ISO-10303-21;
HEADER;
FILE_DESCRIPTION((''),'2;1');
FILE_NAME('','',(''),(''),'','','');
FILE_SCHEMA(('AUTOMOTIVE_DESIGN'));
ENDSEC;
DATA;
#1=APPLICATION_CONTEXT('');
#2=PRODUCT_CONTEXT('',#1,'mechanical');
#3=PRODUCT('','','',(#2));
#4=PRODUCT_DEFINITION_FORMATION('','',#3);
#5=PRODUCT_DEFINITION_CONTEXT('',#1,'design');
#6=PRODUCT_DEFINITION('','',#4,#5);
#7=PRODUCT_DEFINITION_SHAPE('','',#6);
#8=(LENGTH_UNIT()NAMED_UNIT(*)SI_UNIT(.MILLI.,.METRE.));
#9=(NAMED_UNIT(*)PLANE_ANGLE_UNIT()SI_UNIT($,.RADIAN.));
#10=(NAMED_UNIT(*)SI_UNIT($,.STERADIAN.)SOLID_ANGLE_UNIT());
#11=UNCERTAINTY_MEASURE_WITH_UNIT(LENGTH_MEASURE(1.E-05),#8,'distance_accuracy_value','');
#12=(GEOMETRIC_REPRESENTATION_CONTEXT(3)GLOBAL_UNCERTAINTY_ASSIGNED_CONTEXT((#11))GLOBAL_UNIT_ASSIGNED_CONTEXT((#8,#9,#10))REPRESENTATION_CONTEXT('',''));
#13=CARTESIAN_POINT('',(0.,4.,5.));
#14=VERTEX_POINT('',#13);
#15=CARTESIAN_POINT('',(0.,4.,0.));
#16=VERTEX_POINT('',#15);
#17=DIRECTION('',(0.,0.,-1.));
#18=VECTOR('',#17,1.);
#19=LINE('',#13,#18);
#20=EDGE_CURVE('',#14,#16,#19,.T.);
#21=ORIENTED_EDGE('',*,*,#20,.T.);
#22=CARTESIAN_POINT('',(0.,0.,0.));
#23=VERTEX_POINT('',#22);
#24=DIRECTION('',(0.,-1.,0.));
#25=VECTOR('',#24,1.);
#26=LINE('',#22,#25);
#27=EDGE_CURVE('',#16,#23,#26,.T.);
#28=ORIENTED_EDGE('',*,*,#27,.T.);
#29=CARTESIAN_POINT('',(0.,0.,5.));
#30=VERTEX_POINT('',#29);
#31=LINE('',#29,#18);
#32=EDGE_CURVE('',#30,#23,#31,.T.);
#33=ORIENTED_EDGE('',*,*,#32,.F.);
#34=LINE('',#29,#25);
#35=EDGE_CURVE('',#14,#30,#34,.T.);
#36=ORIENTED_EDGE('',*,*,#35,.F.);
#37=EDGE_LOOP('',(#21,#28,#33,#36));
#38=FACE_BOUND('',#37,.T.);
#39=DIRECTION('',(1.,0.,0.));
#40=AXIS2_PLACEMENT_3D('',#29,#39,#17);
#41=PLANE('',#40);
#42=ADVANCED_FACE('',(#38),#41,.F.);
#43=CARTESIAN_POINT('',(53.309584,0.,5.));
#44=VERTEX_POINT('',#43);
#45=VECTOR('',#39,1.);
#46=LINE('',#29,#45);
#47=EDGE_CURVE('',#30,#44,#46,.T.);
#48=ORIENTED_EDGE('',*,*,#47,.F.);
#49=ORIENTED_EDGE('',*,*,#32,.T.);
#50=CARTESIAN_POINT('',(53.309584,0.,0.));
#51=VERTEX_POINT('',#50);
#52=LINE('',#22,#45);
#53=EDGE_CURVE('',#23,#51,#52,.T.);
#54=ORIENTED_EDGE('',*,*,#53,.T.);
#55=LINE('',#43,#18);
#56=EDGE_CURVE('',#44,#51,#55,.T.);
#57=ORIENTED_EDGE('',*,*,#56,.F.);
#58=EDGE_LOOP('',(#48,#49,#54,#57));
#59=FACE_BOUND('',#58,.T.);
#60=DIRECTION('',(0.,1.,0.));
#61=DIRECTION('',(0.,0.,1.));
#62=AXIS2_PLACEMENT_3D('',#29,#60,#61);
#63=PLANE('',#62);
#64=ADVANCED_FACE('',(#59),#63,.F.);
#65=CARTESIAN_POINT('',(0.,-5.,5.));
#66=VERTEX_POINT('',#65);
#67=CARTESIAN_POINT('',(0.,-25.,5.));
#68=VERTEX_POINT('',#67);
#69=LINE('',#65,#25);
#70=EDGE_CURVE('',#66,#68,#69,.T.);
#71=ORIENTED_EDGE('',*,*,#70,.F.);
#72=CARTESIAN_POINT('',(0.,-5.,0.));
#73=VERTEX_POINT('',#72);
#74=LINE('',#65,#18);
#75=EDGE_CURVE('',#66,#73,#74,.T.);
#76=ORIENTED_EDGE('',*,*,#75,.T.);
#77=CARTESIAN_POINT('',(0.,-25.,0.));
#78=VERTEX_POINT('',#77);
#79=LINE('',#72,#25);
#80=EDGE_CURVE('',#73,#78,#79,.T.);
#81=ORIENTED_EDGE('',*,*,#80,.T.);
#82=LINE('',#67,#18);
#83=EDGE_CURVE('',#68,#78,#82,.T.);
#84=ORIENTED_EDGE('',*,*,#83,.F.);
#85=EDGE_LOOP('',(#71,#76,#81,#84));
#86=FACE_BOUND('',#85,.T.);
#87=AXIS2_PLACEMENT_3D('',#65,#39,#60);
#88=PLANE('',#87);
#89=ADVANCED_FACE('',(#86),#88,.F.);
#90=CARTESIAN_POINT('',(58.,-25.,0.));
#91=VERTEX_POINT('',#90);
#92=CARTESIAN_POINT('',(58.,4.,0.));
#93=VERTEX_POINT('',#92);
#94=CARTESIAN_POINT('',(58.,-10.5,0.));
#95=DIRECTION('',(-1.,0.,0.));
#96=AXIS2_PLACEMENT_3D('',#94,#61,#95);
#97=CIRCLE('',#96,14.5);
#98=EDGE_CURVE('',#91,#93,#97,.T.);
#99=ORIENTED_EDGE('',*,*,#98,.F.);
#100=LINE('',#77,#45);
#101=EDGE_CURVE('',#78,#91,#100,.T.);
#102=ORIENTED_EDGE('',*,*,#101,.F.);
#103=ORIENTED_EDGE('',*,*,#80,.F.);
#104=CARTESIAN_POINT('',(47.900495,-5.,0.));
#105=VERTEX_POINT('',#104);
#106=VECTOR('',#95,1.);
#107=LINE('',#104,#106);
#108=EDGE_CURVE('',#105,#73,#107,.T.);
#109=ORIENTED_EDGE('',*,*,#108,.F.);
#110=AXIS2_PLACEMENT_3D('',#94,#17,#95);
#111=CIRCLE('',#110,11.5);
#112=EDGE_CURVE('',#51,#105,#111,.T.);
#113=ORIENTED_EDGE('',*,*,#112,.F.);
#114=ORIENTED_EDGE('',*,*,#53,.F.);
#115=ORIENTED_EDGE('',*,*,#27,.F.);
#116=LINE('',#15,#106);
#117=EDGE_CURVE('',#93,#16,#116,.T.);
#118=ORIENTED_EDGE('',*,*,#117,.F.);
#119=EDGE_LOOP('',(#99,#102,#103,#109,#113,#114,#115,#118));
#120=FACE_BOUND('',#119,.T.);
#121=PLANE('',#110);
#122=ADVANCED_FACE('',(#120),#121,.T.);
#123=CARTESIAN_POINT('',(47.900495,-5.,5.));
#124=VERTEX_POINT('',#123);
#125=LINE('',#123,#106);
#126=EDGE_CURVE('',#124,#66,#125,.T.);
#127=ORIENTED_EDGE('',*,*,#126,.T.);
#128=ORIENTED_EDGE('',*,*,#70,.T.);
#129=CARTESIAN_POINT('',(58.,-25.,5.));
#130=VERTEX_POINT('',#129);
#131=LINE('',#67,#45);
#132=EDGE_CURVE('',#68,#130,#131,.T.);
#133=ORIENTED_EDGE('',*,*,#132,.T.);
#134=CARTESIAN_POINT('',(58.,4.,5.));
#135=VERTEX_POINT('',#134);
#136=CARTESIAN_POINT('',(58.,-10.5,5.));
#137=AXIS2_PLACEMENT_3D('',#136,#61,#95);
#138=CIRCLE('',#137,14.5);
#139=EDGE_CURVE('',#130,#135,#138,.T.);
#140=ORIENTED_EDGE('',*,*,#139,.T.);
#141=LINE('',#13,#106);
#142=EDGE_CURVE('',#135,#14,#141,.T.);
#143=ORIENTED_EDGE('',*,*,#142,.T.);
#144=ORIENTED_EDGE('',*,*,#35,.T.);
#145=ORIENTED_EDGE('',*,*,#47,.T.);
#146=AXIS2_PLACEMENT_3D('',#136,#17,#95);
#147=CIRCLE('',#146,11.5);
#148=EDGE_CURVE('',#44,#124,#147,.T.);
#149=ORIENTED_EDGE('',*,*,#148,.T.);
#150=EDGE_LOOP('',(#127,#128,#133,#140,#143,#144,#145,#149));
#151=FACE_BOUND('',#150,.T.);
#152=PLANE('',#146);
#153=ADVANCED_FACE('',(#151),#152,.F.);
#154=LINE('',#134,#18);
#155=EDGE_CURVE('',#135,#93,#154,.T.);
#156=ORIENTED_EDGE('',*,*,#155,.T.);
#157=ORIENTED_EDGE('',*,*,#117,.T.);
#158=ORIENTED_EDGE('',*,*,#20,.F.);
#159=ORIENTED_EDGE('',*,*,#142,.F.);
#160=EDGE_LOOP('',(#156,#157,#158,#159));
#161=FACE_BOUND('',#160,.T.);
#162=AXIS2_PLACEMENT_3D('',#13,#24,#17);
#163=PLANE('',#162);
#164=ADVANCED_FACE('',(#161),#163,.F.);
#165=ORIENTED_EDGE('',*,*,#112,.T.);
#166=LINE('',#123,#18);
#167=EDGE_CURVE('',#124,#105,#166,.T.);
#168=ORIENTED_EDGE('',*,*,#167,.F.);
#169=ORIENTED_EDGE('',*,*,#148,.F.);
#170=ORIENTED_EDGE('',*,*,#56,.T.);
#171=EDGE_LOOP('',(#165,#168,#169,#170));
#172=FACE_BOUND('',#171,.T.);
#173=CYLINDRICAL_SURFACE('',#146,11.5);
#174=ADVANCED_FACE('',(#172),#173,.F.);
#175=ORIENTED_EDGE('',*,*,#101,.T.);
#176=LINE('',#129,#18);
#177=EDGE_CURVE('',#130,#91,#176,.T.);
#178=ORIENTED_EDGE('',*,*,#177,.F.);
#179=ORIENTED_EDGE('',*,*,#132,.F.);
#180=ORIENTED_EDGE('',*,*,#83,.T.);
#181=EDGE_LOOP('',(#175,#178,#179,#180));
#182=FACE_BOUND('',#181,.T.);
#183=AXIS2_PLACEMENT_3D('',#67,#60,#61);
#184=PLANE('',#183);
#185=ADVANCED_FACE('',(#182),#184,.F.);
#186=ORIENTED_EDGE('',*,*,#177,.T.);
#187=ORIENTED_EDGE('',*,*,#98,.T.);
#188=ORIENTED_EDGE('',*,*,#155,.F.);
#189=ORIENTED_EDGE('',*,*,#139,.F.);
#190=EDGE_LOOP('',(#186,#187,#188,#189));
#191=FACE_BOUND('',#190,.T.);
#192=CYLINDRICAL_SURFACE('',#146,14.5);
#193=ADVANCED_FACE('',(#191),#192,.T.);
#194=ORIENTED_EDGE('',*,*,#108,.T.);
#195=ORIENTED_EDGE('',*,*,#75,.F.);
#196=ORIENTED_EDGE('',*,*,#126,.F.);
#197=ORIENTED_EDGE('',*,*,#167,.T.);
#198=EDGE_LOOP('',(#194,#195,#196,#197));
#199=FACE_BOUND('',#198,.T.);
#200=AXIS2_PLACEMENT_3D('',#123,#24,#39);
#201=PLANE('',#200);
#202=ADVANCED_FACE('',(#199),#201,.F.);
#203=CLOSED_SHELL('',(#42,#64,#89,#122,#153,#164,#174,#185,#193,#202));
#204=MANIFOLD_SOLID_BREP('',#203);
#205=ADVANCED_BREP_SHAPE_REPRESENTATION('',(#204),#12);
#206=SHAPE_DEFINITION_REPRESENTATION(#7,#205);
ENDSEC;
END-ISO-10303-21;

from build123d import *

# Parameters (mm, degrees)
BOSS_EXTRUDE1_DEPTH = 5


with BuildPart() as part:
    # Sketch1 → Boss-Extrude1 (new body)
    with BuildSketch(Plane.XY):
        with BuildLine():
            Line((0, 0), (0, 4))
            Line((0, 4), (58, 4))
            ThreePointArc((58, 4), (72.5, -10.5), (58, -25))
            Line((58, -25), (0, -25))
            Line((0, -25), (0, -5))
            Line((0, -5), (47.900495062, -5))
            ThreePointArc((47.900495062, -5), (65.806115459, -18.944794932), (53.30958424, 0))
            Line((53.30958424, 0), (0, 0))
        make_face()
    extrude(amount=BOSS_EXTRUDE1_DEPTH)


solid = part.part
